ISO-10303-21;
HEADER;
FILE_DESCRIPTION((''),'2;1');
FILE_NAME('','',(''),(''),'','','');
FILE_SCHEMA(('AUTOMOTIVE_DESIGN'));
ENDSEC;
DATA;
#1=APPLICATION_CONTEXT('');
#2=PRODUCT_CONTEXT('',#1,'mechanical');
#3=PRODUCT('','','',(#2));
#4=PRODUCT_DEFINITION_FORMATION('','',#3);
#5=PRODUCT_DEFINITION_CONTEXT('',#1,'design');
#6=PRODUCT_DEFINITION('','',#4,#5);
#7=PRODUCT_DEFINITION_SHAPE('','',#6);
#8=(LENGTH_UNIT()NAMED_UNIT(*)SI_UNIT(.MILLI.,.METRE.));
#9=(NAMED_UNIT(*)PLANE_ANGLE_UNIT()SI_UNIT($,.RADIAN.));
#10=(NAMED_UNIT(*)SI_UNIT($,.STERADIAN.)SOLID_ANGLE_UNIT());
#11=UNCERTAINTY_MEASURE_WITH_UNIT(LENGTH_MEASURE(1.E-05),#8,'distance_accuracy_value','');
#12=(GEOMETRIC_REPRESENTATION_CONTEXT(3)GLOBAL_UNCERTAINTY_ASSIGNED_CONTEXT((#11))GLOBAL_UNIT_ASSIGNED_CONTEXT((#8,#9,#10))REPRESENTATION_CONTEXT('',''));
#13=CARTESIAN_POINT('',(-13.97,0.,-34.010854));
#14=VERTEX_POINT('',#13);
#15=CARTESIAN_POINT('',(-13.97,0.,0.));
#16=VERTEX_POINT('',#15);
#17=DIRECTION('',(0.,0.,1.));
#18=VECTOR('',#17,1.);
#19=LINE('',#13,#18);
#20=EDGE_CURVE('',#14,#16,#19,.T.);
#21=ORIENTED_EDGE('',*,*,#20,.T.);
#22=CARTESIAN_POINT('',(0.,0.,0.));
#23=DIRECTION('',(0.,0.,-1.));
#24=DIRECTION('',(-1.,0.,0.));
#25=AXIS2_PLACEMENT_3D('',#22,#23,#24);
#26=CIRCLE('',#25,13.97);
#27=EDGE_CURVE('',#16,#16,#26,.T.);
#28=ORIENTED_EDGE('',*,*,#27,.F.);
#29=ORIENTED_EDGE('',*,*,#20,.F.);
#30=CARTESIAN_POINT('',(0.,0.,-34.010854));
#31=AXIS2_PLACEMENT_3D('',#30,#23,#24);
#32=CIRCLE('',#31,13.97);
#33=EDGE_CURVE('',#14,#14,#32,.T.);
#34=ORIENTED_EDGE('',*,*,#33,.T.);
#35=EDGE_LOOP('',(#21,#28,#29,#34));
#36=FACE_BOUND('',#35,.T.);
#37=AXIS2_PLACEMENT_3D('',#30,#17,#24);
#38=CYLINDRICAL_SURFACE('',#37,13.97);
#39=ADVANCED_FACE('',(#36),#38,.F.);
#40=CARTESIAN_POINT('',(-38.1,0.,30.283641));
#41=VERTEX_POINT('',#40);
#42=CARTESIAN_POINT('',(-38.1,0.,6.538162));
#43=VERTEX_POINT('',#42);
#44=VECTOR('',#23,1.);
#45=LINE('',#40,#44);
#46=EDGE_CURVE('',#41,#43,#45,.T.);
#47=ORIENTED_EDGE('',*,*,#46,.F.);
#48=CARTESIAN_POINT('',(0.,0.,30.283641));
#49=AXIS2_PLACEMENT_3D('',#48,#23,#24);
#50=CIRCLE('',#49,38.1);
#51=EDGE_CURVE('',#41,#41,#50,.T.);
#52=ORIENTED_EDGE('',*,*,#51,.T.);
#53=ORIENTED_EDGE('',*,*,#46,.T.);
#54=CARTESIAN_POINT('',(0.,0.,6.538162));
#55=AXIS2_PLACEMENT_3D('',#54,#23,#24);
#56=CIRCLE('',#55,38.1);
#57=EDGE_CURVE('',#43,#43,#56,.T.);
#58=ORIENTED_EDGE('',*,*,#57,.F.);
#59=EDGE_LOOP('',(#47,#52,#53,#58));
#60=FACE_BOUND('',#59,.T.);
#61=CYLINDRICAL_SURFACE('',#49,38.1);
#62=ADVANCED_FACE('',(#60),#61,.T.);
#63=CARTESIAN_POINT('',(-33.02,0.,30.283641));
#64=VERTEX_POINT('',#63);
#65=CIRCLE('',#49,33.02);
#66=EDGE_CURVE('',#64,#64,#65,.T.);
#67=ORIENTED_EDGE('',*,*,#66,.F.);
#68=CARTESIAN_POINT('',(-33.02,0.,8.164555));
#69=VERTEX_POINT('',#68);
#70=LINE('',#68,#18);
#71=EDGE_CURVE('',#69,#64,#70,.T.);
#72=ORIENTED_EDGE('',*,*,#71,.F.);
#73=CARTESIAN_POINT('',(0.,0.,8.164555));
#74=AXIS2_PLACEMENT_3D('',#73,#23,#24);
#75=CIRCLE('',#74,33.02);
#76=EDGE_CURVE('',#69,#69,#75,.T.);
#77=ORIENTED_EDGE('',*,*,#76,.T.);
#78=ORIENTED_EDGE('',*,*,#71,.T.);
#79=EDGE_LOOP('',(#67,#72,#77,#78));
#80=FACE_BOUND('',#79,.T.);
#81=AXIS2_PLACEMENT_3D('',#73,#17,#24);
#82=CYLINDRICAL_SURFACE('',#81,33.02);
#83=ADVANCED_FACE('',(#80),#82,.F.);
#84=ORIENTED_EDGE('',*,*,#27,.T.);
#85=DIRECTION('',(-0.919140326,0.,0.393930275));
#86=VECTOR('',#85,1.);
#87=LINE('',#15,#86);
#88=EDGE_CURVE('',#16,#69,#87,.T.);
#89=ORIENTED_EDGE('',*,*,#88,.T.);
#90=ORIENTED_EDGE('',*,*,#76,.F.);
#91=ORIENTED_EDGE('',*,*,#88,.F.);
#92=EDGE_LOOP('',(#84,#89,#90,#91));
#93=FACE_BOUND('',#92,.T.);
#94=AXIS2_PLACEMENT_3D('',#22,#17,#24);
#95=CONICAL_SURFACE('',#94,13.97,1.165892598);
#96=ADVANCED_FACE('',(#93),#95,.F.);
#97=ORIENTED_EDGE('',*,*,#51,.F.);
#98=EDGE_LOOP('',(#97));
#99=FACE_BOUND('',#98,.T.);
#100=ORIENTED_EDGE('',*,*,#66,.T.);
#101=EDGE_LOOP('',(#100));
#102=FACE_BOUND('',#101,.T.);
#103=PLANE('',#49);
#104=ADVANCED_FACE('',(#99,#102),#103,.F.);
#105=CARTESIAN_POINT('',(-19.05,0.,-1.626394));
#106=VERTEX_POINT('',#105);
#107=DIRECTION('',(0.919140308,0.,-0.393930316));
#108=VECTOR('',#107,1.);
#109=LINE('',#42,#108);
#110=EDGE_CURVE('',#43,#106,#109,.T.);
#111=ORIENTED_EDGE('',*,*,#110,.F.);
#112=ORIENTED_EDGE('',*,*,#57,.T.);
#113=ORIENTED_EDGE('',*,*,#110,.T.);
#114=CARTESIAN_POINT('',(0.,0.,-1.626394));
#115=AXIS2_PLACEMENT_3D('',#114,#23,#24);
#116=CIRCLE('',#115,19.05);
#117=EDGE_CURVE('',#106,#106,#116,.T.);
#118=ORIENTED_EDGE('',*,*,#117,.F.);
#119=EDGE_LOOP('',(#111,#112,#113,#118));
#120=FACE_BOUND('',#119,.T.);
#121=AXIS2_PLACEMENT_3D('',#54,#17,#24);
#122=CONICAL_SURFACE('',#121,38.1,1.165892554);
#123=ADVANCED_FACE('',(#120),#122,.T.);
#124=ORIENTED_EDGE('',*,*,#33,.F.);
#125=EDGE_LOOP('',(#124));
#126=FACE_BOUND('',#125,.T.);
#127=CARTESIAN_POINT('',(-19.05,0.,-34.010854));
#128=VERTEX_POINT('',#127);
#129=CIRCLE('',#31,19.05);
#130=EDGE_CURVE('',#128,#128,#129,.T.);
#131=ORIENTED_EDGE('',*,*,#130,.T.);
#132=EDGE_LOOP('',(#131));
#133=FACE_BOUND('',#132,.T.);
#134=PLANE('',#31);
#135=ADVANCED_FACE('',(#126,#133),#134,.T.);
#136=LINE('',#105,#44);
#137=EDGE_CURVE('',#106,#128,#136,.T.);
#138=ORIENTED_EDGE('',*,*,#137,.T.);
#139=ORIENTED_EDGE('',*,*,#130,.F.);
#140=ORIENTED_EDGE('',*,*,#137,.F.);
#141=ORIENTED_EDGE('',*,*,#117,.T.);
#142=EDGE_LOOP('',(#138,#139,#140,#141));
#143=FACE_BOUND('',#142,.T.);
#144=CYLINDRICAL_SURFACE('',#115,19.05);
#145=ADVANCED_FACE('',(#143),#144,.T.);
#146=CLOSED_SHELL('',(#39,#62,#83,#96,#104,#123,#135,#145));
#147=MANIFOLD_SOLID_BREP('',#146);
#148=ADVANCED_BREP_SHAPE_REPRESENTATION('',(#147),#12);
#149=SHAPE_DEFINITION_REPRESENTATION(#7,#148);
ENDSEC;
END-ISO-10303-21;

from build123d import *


with BuildPart() as f1:
    # F0 (on Front) → F1 (revolve)
    with BuildSketch(Plane.XZ):
        Polygon((-38.1, 30.283641), (-38.1, 6.538162), (-33.02, 8.164555), (-33.02, 30.283641), align=None)
        Polygon((-38.1, 6.538162), (-19.05, -1.626394), (-13.97, 0), (-33.02, 8.164555), align=None)
        Polygon((-13.97, 0), (-19.05, -1.626394), (-19.05, -34.010854), (-13.97, -34.010854), align=None)
    revolve(axis=Axis((0, 0, 5.711099), (0, 0, -1)))


solid = f1.part
